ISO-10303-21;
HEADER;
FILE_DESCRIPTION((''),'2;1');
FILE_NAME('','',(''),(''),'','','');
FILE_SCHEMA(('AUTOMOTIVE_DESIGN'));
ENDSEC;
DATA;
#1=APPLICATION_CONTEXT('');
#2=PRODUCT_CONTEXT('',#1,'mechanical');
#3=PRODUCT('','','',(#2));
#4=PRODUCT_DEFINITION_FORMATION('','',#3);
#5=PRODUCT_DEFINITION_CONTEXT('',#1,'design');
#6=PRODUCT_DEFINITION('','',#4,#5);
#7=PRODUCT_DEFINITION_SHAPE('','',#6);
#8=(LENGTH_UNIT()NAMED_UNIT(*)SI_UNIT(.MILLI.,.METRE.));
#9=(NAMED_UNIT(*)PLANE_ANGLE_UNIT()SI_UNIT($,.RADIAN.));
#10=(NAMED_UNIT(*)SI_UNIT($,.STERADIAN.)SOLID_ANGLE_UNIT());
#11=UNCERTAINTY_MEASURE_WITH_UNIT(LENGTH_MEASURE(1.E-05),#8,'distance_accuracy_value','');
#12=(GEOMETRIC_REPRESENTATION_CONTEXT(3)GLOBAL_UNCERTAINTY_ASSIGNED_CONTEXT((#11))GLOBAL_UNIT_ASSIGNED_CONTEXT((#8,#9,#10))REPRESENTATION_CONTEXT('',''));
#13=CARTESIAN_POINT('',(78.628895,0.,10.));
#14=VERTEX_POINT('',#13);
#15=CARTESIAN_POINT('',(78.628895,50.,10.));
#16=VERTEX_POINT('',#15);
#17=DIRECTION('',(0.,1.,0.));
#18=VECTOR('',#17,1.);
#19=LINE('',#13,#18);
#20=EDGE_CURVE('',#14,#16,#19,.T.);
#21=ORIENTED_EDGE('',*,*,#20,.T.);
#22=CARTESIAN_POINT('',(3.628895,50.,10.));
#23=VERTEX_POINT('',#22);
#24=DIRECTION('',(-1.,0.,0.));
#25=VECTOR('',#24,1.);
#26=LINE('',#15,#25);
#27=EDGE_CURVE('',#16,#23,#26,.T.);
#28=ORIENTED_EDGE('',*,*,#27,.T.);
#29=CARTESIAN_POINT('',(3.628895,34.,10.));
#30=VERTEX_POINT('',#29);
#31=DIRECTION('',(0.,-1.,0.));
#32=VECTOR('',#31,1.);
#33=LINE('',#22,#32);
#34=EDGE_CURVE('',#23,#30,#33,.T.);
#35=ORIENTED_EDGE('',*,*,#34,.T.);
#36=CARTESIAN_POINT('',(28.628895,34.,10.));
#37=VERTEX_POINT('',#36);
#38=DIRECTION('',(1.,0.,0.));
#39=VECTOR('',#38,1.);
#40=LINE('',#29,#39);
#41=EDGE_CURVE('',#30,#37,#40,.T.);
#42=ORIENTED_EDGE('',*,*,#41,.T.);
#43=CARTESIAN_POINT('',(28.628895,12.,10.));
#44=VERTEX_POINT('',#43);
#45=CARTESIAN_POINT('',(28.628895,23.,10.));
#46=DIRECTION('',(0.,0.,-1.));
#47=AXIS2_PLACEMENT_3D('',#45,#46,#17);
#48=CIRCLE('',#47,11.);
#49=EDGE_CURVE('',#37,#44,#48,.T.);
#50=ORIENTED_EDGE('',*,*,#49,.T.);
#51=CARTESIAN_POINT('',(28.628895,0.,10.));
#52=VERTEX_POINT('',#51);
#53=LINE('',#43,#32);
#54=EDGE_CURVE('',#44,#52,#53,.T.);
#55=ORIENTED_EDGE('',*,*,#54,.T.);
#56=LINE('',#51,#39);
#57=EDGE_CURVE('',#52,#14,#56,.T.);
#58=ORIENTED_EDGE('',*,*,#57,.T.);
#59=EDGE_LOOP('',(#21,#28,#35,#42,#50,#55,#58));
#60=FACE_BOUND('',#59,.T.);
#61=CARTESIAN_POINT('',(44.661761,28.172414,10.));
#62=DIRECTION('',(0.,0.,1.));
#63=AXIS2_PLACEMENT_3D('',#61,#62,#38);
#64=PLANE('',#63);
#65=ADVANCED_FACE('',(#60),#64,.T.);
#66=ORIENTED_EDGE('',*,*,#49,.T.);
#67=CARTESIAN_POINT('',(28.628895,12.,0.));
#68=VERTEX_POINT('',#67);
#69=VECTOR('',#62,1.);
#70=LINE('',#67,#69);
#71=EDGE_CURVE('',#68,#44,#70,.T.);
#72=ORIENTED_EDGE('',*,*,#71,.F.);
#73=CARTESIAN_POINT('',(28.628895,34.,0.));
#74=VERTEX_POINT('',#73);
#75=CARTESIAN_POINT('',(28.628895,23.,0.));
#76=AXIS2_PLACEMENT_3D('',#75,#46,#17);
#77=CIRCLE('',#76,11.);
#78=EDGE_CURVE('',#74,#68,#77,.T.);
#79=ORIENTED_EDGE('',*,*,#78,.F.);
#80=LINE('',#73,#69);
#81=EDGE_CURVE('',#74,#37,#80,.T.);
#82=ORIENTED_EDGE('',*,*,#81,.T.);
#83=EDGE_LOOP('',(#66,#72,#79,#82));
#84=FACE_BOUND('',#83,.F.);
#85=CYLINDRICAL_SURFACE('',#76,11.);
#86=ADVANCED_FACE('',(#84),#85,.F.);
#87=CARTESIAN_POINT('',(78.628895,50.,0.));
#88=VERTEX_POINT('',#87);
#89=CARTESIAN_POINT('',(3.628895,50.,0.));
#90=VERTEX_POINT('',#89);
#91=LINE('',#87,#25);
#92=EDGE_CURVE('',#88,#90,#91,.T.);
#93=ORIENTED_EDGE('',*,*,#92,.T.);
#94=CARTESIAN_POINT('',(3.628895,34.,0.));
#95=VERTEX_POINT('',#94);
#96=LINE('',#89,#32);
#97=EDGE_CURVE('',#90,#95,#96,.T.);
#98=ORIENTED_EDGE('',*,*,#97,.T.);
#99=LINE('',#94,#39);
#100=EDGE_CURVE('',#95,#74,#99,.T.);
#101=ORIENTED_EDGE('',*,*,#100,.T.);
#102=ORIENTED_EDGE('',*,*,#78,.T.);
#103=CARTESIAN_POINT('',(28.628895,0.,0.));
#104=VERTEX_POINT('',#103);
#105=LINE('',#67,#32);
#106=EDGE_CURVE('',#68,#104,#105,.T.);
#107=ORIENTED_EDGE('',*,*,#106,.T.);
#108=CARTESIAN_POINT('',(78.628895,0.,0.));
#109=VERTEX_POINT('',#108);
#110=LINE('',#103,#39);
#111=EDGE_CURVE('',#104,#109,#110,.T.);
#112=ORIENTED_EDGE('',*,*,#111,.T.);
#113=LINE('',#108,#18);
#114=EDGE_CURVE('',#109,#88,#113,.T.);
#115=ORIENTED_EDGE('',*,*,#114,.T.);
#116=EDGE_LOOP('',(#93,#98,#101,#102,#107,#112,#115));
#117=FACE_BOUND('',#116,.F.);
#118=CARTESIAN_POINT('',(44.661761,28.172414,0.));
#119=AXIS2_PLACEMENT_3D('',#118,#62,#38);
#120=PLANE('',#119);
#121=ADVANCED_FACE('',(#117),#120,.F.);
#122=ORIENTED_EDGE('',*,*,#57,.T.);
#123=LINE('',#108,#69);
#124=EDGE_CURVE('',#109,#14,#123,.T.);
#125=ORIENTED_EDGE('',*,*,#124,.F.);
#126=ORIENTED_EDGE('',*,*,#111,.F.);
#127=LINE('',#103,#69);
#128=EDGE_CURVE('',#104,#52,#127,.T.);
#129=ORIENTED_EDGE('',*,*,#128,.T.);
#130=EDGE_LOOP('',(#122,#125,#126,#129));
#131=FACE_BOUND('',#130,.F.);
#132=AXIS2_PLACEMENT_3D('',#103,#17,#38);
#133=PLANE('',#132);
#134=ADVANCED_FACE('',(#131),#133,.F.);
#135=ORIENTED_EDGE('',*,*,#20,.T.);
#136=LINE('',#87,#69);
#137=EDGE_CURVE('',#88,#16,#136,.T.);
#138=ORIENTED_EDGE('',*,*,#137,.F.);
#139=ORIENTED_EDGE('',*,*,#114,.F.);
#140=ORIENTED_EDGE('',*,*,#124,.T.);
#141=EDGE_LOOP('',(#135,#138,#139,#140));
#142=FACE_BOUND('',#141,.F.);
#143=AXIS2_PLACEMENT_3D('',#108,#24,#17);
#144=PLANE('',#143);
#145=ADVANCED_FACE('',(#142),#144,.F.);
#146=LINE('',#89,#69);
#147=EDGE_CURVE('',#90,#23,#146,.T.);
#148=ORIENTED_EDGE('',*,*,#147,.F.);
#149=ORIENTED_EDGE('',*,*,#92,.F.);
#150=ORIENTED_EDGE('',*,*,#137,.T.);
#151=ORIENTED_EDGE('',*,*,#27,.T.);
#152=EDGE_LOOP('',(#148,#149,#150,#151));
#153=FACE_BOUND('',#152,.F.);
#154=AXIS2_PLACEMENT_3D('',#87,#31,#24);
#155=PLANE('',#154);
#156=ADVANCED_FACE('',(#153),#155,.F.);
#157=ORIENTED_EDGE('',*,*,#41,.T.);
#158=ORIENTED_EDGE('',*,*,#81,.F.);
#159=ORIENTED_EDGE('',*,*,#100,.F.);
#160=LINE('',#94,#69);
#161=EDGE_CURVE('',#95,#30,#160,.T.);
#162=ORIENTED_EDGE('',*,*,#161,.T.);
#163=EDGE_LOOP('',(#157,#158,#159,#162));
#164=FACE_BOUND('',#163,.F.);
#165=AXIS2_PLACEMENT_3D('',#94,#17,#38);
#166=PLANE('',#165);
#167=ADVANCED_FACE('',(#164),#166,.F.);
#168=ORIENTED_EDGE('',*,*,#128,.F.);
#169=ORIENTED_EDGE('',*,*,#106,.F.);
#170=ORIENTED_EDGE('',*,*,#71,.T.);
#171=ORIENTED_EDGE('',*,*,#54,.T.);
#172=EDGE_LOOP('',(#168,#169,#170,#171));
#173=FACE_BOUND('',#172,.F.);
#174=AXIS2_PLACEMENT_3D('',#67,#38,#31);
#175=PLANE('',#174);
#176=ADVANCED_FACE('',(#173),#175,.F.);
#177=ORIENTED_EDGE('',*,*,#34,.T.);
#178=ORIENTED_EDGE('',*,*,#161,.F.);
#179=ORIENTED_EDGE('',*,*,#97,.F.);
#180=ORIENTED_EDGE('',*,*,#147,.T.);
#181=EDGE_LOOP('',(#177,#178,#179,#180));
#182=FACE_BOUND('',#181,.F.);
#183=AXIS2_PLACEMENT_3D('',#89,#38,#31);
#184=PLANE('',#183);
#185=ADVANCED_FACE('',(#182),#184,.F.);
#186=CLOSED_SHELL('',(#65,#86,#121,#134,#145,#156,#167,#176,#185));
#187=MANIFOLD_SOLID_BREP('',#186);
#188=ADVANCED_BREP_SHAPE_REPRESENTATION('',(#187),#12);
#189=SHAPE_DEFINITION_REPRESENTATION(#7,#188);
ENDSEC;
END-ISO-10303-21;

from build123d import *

# Parameters (mm, degrees)
F1_DEPTH = 10


with BuildPart() as f1:
    # F0 (on Top) → F1 (new body)
    with BuildSketch(Plane.XY):
        with BuildLine():
            Line((28.628895, 12), (28.628895, 0))
            Line((28.628895, 0), (78.628895, 0))
            Line((78.628895, 0), (78.628895, 50))
            Line((78.628895, 50), (3.628895, 50))
            Line((3.628895, 50), (3.628895, 34))
            Line((3.628895, 34), (28.628895, 34))
            ThreePointArc((28.628895, 34), (39.628895, 23), (28.628895, 12))
        make_face()
    extrude(amount=F1_DEPTH)


solid = f1.part
